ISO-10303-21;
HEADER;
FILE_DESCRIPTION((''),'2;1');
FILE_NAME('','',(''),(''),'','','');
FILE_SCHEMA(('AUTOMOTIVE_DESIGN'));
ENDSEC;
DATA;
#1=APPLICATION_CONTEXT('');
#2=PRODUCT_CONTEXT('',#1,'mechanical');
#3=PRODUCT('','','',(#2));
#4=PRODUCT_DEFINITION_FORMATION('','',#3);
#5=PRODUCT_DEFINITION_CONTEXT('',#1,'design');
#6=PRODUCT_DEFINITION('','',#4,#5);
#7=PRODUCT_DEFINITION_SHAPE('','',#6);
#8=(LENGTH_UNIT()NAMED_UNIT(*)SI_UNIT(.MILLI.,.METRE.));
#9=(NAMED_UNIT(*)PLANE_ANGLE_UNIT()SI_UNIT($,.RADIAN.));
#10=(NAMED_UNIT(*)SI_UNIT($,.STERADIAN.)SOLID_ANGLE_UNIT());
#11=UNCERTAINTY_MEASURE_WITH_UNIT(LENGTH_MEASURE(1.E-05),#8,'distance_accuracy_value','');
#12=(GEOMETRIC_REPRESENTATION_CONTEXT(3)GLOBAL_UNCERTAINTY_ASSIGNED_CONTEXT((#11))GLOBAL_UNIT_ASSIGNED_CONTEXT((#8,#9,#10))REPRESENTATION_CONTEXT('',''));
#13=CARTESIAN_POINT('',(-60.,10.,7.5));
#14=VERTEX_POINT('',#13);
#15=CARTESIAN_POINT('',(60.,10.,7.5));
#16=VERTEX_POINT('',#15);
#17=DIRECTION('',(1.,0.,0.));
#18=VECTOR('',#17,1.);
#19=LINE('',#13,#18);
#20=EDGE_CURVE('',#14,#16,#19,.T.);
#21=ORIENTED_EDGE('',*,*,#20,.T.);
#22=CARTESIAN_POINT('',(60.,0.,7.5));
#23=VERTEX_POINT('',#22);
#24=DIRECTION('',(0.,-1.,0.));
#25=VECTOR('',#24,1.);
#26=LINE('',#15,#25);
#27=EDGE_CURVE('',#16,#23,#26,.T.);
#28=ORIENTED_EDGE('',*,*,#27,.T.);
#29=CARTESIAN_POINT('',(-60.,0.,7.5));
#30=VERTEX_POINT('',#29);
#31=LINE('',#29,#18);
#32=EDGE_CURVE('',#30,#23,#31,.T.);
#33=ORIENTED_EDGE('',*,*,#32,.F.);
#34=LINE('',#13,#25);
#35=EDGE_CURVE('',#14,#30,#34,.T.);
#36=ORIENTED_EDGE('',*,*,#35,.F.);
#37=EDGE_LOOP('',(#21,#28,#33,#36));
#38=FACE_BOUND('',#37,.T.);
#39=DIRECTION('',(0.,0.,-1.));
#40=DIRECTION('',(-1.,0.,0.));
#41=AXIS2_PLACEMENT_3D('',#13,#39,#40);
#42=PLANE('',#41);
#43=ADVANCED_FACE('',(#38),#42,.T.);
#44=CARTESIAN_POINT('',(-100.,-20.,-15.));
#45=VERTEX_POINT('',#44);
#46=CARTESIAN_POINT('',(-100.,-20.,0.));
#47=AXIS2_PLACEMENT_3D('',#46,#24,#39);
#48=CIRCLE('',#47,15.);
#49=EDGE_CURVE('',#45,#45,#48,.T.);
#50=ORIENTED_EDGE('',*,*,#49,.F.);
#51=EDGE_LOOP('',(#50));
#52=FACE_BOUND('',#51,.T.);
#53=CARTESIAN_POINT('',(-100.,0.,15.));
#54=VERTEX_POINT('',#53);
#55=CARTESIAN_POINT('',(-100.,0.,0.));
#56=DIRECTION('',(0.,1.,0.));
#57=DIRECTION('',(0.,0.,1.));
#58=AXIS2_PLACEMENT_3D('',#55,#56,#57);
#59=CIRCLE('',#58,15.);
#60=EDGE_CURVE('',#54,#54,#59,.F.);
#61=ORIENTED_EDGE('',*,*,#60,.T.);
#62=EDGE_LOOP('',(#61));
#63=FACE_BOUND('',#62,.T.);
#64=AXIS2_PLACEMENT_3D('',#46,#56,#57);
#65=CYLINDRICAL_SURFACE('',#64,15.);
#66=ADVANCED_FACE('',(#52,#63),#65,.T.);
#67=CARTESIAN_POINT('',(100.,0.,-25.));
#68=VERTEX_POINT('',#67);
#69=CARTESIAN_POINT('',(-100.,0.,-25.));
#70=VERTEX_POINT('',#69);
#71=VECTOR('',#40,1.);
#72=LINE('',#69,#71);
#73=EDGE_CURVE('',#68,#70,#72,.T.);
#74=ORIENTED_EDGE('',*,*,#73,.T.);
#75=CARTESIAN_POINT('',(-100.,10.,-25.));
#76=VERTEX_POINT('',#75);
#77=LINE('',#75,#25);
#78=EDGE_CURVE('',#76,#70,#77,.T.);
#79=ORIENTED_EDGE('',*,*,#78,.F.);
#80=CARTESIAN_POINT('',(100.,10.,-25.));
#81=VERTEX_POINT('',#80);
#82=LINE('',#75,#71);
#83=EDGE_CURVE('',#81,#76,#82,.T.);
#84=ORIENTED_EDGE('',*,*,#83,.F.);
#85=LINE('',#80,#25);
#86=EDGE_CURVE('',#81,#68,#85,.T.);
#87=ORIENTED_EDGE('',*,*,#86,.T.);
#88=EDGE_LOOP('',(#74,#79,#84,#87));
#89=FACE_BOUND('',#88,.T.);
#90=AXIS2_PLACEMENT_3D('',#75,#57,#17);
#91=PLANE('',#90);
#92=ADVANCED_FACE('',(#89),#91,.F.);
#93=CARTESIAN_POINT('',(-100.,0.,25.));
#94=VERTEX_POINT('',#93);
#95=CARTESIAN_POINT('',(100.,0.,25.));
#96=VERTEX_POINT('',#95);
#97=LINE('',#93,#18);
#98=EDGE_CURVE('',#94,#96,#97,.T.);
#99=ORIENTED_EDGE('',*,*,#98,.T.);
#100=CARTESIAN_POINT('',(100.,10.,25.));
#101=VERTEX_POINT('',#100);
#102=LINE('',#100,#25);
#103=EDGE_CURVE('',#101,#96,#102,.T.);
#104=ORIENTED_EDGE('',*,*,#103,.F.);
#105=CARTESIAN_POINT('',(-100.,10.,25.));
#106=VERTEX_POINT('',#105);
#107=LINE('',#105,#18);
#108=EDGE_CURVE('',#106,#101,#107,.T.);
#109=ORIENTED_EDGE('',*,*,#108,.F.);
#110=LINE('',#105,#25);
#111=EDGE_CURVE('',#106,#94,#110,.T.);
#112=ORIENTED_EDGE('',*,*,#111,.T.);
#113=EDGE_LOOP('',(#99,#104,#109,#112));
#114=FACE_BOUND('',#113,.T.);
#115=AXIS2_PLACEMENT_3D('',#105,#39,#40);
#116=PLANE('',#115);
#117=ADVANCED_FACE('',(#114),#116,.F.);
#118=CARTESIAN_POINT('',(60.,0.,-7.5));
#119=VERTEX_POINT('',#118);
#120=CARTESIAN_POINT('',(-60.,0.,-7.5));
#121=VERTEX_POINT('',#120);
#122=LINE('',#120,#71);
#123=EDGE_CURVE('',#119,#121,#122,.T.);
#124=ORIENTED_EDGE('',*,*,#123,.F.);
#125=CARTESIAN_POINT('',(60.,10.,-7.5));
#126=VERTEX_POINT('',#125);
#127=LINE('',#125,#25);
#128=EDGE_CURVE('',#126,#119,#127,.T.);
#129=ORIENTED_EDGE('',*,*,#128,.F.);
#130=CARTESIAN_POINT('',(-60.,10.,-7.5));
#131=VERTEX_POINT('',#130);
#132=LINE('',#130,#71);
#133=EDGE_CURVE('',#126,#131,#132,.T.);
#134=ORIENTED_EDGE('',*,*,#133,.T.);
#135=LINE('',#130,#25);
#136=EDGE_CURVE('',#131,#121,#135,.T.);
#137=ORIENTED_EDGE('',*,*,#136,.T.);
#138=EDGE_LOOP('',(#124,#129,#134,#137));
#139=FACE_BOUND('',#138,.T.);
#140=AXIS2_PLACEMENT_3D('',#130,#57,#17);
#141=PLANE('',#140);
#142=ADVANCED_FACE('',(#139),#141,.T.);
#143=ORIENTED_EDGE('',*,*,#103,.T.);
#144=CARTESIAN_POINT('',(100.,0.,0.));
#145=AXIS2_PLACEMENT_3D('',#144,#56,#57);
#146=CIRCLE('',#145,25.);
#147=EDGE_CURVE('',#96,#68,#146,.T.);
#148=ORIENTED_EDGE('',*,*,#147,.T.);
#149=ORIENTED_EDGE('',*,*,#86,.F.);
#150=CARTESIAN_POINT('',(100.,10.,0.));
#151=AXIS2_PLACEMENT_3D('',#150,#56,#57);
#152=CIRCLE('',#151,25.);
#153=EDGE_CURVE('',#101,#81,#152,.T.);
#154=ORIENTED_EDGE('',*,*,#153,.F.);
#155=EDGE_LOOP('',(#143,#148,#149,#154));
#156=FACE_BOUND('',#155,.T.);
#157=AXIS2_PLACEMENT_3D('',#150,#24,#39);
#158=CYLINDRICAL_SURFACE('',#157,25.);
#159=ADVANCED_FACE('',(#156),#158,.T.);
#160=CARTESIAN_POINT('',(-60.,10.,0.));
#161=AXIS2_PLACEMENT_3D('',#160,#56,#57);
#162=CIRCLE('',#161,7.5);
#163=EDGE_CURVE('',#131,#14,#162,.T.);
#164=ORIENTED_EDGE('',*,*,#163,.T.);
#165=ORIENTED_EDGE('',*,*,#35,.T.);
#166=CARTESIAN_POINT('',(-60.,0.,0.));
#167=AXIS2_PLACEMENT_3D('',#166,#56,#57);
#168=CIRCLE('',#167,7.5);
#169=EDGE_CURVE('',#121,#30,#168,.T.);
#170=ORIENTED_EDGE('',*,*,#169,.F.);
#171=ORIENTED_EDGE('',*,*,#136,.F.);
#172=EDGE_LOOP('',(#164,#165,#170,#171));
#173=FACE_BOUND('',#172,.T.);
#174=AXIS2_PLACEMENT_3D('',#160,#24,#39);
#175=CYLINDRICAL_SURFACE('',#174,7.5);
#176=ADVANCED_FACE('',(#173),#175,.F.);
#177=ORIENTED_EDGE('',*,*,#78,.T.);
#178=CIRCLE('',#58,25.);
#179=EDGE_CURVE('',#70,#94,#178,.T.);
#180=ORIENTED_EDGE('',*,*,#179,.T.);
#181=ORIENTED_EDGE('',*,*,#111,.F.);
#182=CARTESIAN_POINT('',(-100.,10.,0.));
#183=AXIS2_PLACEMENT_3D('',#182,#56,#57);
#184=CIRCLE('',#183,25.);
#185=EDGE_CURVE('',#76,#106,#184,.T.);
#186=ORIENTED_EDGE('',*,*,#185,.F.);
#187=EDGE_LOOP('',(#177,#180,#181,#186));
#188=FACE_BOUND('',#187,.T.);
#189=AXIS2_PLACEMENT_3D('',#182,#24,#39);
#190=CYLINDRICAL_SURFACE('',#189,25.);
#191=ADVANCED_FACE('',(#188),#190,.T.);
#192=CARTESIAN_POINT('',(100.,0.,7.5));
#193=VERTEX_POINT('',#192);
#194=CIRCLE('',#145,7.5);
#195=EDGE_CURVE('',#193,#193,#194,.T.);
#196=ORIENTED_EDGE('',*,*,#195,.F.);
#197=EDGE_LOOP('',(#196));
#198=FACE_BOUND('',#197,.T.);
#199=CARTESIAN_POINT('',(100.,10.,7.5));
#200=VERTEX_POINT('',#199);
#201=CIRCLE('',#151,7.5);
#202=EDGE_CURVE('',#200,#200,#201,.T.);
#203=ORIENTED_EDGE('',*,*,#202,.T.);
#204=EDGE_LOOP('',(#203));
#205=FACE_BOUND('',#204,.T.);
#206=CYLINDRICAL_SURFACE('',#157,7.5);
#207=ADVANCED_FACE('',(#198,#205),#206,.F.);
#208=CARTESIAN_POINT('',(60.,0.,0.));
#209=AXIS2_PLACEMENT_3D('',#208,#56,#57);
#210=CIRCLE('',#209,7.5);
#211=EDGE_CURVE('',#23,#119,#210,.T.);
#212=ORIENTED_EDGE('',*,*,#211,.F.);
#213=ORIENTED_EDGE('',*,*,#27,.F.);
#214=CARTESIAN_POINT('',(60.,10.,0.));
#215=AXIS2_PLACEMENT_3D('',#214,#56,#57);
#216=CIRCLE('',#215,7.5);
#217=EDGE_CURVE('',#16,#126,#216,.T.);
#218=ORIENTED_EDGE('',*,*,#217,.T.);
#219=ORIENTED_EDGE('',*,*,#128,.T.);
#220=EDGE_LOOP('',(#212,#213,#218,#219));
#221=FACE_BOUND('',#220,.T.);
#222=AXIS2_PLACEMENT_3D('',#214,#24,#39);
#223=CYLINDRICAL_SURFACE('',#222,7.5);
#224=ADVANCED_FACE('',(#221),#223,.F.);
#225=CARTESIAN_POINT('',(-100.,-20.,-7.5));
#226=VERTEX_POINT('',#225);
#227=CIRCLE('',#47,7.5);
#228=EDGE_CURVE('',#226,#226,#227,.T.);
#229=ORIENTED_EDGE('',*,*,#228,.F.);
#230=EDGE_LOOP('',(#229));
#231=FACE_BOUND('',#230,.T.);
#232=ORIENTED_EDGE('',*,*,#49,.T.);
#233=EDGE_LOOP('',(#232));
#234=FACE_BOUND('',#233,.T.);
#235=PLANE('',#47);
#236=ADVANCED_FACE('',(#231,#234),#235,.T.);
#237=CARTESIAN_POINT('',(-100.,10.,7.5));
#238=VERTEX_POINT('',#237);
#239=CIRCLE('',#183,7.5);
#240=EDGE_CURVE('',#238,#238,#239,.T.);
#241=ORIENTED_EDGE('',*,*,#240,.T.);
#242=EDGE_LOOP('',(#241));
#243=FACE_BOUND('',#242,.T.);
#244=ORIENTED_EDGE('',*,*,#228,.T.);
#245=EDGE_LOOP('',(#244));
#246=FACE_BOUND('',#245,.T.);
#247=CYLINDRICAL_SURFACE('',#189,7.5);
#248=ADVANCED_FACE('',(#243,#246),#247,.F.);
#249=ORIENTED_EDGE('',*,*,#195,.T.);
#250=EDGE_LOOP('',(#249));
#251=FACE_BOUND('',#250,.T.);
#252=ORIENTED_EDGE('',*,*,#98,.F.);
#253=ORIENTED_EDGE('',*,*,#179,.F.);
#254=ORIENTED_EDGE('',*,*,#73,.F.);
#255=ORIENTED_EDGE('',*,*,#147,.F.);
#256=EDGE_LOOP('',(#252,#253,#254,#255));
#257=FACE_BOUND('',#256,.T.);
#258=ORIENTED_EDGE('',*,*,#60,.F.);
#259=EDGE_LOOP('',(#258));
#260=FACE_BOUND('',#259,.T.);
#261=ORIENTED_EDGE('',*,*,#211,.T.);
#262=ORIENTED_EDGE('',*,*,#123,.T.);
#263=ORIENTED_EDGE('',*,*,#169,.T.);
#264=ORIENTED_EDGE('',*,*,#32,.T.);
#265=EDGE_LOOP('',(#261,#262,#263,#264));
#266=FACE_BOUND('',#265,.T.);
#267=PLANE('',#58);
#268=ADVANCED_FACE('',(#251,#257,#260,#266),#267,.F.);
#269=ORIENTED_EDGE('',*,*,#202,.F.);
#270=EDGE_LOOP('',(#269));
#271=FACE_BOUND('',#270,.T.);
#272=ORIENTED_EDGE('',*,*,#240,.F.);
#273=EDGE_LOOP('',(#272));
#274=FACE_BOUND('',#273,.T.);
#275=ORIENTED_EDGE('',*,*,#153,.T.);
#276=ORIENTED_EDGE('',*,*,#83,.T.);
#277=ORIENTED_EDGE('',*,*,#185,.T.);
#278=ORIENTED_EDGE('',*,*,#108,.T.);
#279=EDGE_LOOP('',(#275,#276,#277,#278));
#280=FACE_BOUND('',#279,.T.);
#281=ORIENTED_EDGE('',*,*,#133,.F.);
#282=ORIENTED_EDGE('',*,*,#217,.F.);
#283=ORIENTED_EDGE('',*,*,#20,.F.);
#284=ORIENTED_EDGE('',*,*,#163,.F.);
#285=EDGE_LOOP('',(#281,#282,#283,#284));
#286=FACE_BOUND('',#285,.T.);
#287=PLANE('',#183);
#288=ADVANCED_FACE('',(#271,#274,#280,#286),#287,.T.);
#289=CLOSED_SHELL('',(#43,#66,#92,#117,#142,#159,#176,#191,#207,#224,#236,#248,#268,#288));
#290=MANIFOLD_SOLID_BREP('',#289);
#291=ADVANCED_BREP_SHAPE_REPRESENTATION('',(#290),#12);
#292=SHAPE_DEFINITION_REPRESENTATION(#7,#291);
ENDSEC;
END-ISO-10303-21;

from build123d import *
from build123d.topology import SkipClean

# Parameters (mm, degrees)
SKETCH2_R           = 7.5
BOSS_EXTRUDE1_DEPTH = 10
BOSS_EXTRUDE2_START = 20
SKETCH3_R           = 15
SKETCH3_R_2         = 7.5
BOSS_EXTRUDE2_DEPTH = 20


with BuildPart() as part:
    # Sketch2 → Boss-Extrude1 (new body)
    with BuildSketch(Plane(origin=(0, 0, 0), x_dir=(1, 0, 0), z_dir=(0, 1, 0))):
        with BuildLine():
            Line((-100, 25), (100, 25))
            ThreePointArc((100, 25), (125, 0), (100, -25))
            Line((100, -25), (-100, -25))
            ThreePointArc((-100, -25), (-125, 0), (-100, 25))
        make_face()
        with Locations(Location((100, 0, 0), (0, 0, 270))):
            Circle(SKETCH2_R, mode=Mode.SUBTRACT)
        with Locations(Location((-100, 0, 0), (0, 0, 270))):
            Circle(SKETCH2_R, mode=Mode.SUBTRACT)
        with BuildLine():
            Line((-60, 7.5), (60, 7.5))
            ThreePointArc((60, 7.5), (67.5, 0), (60, -7.5))
            Line((60, -7.5), (-60, -7.5))
            ThreePointArc((-60, -7.5), (-67.5, 0), (-60, 7.5))
        make_face(mode=Mode.SUBTRACT)
    extrude(amount=BOSS_EXTRUDE1_DEPTH)

    # Sketch3 → Boss-Extrude2 (add)
    with SkipClean():  # the faces are left unmerged after this step: merging them gives an invalid solid
        with BuildSketch(Plane.XZ.offset(BOSS_EXTRUDE2_START)):
            with Locations(Location((-100, 0, 0), (0, 0, 90))):
                Circle(SKETCH3_R)
            with Locations(Location((-100, 0, 0), (0, 0, 270))):
                Circle(SKETCH3_R_2, mode=Mode.SUBTRACT)
        extrude(amount=-BOSS_EXTRUDE2_DEPTH)


solid = part.part
